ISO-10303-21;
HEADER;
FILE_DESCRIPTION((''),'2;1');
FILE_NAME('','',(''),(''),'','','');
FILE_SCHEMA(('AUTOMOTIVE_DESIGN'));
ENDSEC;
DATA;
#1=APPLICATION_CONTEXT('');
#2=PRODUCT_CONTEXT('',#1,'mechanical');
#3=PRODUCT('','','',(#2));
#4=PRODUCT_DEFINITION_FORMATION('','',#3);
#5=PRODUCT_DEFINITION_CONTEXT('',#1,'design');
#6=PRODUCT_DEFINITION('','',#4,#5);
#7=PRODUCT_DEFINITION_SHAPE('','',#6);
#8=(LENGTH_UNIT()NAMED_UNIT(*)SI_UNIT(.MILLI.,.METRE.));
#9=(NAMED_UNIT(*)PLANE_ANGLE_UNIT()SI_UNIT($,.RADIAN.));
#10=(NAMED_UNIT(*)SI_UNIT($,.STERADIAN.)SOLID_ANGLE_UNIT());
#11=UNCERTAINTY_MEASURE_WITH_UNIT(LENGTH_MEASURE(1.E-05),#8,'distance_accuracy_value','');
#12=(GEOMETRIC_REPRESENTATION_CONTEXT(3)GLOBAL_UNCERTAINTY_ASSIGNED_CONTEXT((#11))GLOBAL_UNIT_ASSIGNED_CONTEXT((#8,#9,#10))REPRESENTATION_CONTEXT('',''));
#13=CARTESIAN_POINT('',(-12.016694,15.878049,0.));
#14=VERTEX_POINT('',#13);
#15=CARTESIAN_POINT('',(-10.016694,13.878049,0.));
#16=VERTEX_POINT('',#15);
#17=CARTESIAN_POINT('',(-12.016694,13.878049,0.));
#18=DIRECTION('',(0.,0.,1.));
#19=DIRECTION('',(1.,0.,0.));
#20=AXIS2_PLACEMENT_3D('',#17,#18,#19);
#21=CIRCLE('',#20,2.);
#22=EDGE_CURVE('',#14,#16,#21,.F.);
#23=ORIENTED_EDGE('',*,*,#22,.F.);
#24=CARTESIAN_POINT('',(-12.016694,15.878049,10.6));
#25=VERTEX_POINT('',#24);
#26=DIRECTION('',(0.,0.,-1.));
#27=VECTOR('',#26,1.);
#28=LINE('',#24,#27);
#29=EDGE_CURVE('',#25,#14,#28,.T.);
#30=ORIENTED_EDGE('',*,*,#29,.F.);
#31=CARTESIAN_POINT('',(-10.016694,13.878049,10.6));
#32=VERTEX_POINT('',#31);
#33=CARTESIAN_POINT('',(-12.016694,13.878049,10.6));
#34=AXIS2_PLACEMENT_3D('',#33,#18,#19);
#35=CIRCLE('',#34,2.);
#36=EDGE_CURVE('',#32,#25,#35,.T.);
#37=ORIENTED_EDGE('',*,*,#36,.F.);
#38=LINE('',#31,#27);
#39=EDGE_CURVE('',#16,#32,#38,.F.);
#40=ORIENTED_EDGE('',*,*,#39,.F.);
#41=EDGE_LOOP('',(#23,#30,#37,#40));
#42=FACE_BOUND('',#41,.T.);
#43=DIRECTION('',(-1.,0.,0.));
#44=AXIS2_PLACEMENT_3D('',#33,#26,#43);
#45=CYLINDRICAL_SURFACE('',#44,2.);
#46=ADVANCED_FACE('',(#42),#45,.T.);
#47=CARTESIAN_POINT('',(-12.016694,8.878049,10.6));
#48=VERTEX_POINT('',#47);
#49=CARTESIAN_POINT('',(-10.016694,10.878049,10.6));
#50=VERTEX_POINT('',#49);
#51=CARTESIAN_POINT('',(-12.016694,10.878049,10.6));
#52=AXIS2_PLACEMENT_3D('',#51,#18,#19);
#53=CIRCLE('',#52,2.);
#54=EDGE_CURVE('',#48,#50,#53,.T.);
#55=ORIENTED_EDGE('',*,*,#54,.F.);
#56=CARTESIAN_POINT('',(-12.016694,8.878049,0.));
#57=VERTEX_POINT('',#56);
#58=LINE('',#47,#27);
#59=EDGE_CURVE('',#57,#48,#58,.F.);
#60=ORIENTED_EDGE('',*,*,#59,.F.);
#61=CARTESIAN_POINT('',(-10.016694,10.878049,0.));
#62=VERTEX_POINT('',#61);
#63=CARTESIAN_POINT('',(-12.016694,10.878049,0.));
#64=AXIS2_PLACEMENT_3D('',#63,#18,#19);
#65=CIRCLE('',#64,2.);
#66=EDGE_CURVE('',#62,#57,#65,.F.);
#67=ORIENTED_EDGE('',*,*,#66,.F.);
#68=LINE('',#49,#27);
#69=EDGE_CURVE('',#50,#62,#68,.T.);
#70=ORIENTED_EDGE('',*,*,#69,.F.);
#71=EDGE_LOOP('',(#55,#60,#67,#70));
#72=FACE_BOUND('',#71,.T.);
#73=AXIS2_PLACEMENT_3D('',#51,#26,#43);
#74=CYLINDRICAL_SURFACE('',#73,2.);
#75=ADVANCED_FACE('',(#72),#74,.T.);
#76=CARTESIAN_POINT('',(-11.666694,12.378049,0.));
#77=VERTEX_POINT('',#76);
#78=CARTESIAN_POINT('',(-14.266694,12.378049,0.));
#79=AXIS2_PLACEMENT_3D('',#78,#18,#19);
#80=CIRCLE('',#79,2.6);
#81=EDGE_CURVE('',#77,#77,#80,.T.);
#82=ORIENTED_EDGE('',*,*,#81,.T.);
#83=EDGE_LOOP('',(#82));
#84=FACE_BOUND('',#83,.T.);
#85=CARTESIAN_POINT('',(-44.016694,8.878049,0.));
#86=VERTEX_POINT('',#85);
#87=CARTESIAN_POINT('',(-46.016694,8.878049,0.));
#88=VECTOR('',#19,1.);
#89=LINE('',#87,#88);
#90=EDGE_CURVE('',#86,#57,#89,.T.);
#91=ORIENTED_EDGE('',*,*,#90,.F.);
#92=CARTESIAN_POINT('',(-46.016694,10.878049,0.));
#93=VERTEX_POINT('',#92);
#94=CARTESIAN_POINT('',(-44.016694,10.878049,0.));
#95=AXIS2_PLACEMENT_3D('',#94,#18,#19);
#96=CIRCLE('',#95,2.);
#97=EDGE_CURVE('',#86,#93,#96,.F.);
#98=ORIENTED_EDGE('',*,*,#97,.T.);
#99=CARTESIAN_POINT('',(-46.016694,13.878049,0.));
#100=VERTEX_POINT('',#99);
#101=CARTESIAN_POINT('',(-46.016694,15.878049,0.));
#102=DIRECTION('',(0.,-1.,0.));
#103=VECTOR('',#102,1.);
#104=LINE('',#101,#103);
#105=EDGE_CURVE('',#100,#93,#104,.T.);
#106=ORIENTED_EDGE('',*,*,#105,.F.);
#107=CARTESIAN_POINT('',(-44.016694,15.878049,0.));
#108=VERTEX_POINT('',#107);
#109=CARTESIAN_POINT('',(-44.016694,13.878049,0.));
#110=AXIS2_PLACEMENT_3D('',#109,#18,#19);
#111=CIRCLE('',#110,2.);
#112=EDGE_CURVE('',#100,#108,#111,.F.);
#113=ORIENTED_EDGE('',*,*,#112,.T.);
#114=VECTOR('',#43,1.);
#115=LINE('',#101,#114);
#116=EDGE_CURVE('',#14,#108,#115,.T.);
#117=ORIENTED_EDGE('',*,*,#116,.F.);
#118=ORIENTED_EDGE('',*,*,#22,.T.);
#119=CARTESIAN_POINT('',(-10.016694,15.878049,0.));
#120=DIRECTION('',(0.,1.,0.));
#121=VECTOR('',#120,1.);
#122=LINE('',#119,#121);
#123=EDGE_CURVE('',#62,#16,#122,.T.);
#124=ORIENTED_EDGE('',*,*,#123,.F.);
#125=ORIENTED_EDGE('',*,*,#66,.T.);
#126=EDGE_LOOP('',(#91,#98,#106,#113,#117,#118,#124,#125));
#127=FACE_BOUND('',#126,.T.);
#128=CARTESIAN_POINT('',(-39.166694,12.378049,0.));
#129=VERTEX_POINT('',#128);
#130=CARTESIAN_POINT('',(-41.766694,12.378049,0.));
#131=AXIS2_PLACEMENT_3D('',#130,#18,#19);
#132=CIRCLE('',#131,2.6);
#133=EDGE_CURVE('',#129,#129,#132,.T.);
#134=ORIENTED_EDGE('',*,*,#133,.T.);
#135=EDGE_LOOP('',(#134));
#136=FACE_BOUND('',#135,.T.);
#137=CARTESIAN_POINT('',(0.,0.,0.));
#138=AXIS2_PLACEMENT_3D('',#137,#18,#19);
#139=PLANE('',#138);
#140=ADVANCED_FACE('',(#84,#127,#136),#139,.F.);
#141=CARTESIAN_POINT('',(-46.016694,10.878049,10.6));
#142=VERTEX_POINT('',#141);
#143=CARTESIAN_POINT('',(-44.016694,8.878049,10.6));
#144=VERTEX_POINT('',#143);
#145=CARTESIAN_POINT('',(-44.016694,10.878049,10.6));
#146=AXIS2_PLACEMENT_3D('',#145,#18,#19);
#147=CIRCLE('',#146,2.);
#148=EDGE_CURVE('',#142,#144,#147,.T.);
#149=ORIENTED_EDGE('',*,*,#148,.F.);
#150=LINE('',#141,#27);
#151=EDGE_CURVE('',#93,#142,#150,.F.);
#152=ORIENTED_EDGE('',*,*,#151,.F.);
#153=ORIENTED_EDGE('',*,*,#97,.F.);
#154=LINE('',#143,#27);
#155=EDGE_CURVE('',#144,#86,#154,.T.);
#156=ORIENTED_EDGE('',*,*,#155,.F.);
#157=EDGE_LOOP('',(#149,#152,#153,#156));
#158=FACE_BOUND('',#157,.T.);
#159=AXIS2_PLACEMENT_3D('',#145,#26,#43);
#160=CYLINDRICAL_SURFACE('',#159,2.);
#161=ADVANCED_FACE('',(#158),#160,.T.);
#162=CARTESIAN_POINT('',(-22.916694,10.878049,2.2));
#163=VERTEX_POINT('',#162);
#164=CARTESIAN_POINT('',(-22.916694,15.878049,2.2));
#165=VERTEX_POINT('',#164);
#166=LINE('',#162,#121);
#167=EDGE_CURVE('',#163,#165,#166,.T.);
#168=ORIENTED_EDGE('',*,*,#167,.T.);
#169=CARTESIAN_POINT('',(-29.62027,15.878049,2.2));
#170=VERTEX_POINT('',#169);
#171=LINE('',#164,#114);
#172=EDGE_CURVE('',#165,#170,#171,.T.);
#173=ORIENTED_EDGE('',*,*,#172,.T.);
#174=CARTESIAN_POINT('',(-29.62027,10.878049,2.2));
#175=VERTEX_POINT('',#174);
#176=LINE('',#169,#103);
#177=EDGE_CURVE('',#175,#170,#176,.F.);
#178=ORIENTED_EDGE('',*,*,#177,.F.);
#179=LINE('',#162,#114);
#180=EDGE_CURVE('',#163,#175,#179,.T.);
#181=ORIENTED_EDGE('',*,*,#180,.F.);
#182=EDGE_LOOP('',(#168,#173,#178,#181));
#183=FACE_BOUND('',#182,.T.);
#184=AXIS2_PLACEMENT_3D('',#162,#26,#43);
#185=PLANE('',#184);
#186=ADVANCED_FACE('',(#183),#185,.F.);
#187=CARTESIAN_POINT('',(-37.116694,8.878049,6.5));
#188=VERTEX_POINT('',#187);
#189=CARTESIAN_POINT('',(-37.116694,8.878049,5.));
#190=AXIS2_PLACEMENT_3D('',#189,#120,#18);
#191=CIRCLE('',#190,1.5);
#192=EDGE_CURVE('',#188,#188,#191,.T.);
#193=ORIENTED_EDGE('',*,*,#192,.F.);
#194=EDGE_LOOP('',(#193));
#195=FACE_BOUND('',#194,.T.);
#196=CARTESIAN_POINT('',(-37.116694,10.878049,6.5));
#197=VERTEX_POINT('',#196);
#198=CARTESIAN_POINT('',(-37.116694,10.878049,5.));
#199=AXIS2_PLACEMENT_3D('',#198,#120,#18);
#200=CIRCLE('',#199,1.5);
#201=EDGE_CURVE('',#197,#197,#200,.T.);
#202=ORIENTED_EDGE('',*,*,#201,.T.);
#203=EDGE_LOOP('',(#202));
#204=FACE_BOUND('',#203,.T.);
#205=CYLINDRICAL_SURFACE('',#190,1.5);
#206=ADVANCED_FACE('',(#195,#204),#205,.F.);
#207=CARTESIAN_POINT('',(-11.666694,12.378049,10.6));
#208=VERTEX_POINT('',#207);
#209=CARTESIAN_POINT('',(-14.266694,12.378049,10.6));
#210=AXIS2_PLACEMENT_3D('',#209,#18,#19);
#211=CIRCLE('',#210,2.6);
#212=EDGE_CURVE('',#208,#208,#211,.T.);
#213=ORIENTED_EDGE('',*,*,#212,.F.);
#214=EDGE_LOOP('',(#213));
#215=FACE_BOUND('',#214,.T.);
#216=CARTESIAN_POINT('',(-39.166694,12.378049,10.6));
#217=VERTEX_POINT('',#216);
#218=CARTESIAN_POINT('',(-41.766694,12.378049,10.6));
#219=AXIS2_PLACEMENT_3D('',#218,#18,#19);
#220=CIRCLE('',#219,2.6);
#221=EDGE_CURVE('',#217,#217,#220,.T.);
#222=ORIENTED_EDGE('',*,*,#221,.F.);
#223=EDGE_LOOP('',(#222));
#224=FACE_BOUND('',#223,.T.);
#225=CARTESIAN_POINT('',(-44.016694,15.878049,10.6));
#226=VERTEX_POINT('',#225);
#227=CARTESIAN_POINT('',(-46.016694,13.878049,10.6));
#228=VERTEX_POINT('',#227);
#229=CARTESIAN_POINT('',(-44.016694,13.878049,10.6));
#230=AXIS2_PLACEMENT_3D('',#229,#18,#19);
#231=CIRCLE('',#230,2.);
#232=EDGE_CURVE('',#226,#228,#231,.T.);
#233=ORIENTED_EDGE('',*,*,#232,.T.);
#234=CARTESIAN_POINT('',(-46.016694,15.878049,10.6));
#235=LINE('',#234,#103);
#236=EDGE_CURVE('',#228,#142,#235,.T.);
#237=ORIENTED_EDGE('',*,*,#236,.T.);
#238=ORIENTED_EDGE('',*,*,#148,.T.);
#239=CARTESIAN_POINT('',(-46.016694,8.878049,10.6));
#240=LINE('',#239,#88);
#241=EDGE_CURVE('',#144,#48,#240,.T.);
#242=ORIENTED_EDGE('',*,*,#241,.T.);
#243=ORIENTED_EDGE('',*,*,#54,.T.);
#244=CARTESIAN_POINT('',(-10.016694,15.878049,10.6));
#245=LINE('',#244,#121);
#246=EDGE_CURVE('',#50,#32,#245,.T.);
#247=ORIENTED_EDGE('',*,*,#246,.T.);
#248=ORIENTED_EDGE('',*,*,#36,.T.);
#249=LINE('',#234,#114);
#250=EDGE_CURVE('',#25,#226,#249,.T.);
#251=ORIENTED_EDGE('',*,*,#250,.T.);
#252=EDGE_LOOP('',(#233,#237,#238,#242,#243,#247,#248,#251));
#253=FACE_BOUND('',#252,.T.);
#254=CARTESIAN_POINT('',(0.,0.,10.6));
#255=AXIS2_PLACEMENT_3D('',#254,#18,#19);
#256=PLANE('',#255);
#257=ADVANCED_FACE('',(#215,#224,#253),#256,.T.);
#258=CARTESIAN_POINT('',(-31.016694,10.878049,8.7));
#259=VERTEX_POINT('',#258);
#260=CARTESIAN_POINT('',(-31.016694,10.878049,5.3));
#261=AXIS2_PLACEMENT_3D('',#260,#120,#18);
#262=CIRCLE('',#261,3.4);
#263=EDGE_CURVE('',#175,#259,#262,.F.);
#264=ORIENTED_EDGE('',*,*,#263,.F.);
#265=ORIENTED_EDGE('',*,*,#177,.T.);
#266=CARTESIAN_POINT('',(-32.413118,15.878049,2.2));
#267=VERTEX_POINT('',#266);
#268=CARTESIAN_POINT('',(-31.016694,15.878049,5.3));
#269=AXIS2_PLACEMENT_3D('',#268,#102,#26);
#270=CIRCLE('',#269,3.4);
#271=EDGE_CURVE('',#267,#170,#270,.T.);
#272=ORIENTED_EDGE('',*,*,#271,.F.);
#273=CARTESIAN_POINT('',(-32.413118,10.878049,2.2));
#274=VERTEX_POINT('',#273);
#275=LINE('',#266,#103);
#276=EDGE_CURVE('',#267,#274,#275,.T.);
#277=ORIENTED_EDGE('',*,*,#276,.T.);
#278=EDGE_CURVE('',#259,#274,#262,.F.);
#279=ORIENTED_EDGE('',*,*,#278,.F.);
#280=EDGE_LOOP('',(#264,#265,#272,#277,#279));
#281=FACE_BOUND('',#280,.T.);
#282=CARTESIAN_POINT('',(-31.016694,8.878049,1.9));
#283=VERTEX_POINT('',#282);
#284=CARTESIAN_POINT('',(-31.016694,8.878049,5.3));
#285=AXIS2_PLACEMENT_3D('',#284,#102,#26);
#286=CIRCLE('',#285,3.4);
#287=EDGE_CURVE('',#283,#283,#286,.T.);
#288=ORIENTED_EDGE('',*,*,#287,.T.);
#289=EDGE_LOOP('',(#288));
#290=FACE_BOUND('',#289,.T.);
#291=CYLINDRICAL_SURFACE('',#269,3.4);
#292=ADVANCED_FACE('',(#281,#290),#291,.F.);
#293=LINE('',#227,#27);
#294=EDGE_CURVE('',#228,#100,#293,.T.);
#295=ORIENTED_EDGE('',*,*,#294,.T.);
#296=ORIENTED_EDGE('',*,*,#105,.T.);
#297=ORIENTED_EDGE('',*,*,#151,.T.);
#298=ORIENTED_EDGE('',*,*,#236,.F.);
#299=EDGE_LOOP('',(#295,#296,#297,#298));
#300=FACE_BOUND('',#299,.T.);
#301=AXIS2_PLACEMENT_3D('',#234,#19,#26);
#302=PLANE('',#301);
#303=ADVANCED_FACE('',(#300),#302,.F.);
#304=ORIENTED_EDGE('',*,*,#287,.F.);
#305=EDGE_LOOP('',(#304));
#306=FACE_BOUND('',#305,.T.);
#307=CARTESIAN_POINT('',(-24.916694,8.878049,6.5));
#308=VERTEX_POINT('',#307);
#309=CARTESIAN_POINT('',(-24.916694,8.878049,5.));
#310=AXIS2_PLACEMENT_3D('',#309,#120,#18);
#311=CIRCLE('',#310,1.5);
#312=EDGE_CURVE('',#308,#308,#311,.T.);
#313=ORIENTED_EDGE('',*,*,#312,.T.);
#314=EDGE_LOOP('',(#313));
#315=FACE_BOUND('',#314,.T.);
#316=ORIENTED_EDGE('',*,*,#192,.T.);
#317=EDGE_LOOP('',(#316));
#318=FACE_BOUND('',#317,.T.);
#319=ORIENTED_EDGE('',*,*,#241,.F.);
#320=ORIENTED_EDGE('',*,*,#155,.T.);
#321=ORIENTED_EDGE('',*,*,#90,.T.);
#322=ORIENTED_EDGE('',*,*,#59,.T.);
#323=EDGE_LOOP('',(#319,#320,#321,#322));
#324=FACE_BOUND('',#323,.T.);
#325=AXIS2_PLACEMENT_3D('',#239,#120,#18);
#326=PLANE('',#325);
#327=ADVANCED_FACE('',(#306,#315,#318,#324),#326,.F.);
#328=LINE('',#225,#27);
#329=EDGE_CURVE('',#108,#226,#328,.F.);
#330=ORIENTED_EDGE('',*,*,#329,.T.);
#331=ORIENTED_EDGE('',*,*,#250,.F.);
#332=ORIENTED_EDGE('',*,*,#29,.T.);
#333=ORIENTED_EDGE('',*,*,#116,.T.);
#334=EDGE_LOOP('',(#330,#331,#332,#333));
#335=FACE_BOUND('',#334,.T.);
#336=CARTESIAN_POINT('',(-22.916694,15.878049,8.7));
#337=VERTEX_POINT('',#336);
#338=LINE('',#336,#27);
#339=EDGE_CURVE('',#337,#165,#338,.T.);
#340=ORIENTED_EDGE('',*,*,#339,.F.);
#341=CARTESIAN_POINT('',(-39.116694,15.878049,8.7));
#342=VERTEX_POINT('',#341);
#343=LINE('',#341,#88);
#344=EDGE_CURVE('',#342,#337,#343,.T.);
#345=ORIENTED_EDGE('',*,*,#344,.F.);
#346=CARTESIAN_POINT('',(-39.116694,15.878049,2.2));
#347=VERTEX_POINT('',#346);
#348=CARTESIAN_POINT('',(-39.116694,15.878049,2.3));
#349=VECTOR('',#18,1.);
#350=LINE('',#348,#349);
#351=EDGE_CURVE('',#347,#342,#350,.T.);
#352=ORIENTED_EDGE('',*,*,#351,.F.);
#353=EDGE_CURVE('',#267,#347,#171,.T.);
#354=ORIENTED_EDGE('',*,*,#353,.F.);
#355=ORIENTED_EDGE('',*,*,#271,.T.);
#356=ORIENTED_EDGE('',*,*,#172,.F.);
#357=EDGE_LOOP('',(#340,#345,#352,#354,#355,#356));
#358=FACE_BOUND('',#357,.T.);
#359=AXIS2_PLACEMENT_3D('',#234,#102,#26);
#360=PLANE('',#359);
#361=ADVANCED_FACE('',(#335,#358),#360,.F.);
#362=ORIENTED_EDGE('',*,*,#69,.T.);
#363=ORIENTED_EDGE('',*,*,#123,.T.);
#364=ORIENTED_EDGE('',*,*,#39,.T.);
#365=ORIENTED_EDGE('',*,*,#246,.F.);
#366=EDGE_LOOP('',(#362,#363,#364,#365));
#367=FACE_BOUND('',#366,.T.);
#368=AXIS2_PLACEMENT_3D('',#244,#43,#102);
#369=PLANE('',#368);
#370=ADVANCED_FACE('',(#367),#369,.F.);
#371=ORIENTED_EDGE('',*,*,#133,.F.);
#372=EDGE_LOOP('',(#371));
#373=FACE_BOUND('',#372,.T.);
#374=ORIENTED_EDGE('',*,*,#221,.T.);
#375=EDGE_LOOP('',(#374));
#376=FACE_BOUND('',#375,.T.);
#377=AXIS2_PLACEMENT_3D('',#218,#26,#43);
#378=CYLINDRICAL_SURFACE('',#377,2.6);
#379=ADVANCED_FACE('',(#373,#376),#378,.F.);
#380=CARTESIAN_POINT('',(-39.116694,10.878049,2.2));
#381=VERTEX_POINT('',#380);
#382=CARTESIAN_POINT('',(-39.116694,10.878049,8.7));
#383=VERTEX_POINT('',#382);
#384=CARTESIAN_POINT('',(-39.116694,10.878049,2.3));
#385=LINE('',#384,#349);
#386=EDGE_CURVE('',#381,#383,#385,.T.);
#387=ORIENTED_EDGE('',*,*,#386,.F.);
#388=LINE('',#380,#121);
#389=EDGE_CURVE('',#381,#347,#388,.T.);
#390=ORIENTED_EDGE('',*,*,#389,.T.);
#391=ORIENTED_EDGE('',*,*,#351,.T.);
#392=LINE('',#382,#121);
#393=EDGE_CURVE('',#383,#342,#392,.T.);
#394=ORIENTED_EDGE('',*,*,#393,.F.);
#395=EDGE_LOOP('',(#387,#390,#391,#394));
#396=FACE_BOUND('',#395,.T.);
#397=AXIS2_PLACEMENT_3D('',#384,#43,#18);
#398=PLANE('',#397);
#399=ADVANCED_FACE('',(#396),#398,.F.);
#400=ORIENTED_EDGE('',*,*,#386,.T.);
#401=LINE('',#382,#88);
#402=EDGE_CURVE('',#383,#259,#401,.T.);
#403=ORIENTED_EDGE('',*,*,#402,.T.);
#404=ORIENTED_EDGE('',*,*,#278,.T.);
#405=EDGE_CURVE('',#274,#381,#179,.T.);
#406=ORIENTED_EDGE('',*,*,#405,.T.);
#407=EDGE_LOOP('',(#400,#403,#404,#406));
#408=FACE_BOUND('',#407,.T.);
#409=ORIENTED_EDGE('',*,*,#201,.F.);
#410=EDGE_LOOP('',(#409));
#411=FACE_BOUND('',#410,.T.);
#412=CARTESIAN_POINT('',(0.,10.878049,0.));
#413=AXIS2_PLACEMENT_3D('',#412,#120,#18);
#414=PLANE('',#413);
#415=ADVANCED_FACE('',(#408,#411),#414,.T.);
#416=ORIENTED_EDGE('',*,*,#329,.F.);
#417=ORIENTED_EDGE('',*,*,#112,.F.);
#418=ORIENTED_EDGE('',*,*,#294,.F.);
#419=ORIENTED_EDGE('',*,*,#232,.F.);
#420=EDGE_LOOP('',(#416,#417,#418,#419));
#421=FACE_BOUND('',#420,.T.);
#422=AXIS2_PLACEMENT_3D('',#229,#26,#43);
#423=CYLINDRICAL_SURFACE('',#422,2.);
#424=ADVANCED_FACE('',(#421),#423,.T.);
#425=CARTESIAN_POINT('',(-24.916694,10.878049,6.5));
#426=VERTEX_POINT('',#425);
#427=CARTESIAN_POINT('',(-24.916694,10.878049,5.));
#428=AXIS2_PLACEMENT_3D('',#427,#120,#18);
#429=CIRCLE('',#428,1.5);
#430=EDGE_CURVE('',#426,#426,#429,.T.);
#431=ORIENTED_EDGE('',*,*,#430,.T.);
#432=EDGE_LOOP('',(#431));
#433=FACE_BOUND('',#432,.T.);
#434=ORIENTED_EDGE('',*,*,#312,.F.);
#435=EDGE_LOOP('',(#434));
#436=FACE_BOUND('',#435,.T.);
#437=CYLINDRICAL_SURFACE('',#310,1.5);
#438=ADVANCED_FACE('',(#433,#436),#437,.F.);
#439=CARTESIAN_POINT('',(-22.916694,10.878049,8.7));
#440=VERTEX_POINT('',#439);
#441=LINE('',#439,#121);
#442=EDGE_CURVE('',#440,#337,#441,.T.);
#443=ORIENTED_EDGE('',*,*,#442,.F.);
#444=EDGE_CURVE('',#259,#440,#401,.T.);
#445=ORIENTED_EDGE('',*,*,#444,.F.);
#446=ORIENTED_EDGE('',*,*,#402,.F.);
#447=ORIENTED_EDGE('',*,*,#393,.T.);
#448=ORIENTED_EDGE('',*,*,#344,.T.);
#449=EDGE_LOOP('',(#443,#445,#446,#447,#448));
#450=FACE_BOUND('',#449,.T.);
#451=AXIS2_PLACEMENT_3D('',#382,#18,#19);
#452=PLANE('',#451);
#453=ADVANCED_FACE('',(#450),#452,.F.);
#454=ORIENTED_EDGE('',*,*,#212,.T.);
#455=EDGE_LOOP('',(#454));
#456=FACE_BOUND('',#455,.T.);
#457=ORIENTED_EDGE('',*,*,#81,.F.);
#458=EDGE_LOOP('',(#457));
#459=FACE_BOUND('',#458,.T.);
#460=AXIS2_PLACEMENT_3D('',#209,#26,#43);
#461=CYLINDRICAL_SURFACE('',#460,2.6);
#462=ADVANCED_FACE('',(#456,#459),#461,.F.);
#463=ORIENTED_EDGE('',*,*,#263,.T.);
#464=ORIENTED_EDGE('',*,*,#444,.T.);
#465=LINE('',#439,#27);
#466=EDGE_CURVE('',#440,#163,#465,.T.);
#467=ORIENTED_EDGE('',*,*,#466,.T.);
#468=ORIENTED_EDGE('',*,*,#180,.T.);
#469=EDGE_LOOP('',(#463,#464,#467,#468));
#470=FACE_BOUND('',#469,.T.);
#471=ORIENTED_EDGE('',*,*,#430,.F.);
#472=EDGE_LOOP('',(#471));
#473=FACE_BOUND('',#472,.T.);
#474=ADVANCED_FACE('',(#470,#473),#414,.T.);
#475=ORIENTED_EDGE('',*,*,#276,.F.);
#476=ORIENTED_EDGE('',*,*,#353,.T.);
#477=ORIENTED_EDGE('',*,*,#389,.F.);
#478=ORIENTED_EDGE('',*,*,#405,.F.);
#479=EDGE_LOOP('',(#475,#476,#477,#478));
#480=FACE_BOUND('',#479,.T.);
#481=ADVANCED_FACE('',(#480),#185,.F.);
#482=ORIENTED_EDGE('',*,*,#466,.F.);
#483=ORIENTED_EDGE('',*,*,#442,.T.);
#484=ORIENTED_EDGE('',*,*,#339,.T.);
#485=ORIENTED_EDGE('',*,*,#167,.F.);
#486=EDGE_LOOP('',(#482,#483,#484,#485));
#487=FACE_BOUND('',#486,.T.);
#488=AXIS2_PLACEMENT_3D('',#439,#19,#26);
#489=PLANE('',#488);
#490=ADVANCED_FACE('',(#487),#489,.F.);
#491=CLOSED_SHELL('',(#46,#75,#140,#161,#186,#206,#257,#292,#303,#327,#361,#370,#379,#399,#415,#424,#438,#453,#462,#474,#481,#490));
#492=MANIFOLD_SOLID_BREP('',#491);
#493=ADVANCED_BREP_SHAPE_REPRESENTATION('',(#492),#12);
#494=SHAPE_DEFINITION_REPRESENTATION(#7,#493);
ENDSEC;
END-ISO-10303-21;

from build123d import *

# Parameters (mm, degrees)
CROQUIS1_W              = 36
CROQUIS1_H              = 7
CROQUIS1_R              = 2.6
SALIENTE_EXTRUIR1_DEPTH = 10.6
CROQUIS5_R              = 3.4
CORTAR_EXTRUIR4_DEPTH   = 7
REDONDEO1_R             = 2
CROQUIS7_W              = 16.2
CROQUIS7_H              = 6.4
CORTAR_EXTRUIR5_DEPTH   = 5
CROQUIS8_R              = 1.5
CORTAR_EXTRUIR6_DEPTH   = 2
CROQUIS9_W              = 16.2
CROQUIS9_H              = 6.2
CORTAR_EXTRUIR7_DEPTH   = 5


with BuildPart() as part:
    # Croquis1 → Saliente-Extruir1 (new body)
    with BuildSketch(Plane.XY):
        with Locations((-28.016694491, 12.37804878)):
            Rectangle(CROQUIS1_W, CROQUIS1_H)
        with Locations((-41.766694491, 12.37804878)):
            Circle(CROQUIS1_R, mode=Mode.SUBTRACT)
        with Locations((-14.266694491, 12.37804878)):
            Circle(CROQUIS1_R, mode=Mode.SUBTRACT)
    extrude(amount=SALIENTE_EXTRUIR1_DEPTH)

    # Croquis5 → Cortar-Extruir4 (cut)
    with BuildSketch(Plane.XZ.offset(-8.87804878)):
        with Locations(Location((-31.016694491, 5.3, 0), (0, 0, 270))):
            Circle(CROQUIS5_R)
    extrude(amount=-CORTAR_EXTRUIR4_DEPTH, mode=Mode.SUBTRACT)

    # Redondeo1
    redondeo1_edges = [part.edges().sort_by_distance(p)[0] for p in [
        (-46.016694491, 15.87804878, 5.3),
        (-10.016694491, 15.87804878, 5.3),
        (-10.016694491, 8.87804878, 5.3),
        (-46.016694491, 8.87804878, 5.3),
    ]]
    fillet(redondeo1_edges, radius=REDONDEO1_R)

    # Croquis7 → Cortar-Extruir5 (cut)
    with BuildSketch(Plane(origin=(0, 15.87804878, 0), x_dir=(1, 0, 0), z_dir=(0, 1, 0))):
        with Locations((-31.016694491, -5.5)):
            Rectangle(CROQUIS7_W, CROQUIS7_H)
    extrude(amount=-CORTAR_EXTRUIR5_DEPTH, mode=Mode.SUBTRACT)

    # Croquis8 → Cortar-Extruir6 (cut)
    with BuildSketch(Plane(origin=(0, 10.87804878, 0), x_dir=(1, 0, 0), z_dir=(0, 1, 0))):
        with Locations(Location((-24.916694491, -5, 0), (0, 0, 270))):
            Circle(CROQUIS8_R)
        with Locations(Location((-37.116694491, -5, 0), (0, 0, 270))):
            Circle(CROQUIS8_R)
    extrude(amount=-CORTAR_EXTRUIR6_DEPTH, mode=Mode.SUBTRACT)

    # Croquis9 → Cortar-Extruir7 (cut)
    with BuildSketch(Plane(origin=(0, 15.87804878, 0), x_dir=(1, 0, 0), z_dir=(0, 1, 0))):
        with Locations((-31.016694491, -5.3)):
            Rectangle(CROQUIS9_W, CROQUIS9_H)
    extrude(amount=-CORTAR_EXTRUIR7_DEPTH, mode=Mode.SUBTRACT)


solid = part.part
